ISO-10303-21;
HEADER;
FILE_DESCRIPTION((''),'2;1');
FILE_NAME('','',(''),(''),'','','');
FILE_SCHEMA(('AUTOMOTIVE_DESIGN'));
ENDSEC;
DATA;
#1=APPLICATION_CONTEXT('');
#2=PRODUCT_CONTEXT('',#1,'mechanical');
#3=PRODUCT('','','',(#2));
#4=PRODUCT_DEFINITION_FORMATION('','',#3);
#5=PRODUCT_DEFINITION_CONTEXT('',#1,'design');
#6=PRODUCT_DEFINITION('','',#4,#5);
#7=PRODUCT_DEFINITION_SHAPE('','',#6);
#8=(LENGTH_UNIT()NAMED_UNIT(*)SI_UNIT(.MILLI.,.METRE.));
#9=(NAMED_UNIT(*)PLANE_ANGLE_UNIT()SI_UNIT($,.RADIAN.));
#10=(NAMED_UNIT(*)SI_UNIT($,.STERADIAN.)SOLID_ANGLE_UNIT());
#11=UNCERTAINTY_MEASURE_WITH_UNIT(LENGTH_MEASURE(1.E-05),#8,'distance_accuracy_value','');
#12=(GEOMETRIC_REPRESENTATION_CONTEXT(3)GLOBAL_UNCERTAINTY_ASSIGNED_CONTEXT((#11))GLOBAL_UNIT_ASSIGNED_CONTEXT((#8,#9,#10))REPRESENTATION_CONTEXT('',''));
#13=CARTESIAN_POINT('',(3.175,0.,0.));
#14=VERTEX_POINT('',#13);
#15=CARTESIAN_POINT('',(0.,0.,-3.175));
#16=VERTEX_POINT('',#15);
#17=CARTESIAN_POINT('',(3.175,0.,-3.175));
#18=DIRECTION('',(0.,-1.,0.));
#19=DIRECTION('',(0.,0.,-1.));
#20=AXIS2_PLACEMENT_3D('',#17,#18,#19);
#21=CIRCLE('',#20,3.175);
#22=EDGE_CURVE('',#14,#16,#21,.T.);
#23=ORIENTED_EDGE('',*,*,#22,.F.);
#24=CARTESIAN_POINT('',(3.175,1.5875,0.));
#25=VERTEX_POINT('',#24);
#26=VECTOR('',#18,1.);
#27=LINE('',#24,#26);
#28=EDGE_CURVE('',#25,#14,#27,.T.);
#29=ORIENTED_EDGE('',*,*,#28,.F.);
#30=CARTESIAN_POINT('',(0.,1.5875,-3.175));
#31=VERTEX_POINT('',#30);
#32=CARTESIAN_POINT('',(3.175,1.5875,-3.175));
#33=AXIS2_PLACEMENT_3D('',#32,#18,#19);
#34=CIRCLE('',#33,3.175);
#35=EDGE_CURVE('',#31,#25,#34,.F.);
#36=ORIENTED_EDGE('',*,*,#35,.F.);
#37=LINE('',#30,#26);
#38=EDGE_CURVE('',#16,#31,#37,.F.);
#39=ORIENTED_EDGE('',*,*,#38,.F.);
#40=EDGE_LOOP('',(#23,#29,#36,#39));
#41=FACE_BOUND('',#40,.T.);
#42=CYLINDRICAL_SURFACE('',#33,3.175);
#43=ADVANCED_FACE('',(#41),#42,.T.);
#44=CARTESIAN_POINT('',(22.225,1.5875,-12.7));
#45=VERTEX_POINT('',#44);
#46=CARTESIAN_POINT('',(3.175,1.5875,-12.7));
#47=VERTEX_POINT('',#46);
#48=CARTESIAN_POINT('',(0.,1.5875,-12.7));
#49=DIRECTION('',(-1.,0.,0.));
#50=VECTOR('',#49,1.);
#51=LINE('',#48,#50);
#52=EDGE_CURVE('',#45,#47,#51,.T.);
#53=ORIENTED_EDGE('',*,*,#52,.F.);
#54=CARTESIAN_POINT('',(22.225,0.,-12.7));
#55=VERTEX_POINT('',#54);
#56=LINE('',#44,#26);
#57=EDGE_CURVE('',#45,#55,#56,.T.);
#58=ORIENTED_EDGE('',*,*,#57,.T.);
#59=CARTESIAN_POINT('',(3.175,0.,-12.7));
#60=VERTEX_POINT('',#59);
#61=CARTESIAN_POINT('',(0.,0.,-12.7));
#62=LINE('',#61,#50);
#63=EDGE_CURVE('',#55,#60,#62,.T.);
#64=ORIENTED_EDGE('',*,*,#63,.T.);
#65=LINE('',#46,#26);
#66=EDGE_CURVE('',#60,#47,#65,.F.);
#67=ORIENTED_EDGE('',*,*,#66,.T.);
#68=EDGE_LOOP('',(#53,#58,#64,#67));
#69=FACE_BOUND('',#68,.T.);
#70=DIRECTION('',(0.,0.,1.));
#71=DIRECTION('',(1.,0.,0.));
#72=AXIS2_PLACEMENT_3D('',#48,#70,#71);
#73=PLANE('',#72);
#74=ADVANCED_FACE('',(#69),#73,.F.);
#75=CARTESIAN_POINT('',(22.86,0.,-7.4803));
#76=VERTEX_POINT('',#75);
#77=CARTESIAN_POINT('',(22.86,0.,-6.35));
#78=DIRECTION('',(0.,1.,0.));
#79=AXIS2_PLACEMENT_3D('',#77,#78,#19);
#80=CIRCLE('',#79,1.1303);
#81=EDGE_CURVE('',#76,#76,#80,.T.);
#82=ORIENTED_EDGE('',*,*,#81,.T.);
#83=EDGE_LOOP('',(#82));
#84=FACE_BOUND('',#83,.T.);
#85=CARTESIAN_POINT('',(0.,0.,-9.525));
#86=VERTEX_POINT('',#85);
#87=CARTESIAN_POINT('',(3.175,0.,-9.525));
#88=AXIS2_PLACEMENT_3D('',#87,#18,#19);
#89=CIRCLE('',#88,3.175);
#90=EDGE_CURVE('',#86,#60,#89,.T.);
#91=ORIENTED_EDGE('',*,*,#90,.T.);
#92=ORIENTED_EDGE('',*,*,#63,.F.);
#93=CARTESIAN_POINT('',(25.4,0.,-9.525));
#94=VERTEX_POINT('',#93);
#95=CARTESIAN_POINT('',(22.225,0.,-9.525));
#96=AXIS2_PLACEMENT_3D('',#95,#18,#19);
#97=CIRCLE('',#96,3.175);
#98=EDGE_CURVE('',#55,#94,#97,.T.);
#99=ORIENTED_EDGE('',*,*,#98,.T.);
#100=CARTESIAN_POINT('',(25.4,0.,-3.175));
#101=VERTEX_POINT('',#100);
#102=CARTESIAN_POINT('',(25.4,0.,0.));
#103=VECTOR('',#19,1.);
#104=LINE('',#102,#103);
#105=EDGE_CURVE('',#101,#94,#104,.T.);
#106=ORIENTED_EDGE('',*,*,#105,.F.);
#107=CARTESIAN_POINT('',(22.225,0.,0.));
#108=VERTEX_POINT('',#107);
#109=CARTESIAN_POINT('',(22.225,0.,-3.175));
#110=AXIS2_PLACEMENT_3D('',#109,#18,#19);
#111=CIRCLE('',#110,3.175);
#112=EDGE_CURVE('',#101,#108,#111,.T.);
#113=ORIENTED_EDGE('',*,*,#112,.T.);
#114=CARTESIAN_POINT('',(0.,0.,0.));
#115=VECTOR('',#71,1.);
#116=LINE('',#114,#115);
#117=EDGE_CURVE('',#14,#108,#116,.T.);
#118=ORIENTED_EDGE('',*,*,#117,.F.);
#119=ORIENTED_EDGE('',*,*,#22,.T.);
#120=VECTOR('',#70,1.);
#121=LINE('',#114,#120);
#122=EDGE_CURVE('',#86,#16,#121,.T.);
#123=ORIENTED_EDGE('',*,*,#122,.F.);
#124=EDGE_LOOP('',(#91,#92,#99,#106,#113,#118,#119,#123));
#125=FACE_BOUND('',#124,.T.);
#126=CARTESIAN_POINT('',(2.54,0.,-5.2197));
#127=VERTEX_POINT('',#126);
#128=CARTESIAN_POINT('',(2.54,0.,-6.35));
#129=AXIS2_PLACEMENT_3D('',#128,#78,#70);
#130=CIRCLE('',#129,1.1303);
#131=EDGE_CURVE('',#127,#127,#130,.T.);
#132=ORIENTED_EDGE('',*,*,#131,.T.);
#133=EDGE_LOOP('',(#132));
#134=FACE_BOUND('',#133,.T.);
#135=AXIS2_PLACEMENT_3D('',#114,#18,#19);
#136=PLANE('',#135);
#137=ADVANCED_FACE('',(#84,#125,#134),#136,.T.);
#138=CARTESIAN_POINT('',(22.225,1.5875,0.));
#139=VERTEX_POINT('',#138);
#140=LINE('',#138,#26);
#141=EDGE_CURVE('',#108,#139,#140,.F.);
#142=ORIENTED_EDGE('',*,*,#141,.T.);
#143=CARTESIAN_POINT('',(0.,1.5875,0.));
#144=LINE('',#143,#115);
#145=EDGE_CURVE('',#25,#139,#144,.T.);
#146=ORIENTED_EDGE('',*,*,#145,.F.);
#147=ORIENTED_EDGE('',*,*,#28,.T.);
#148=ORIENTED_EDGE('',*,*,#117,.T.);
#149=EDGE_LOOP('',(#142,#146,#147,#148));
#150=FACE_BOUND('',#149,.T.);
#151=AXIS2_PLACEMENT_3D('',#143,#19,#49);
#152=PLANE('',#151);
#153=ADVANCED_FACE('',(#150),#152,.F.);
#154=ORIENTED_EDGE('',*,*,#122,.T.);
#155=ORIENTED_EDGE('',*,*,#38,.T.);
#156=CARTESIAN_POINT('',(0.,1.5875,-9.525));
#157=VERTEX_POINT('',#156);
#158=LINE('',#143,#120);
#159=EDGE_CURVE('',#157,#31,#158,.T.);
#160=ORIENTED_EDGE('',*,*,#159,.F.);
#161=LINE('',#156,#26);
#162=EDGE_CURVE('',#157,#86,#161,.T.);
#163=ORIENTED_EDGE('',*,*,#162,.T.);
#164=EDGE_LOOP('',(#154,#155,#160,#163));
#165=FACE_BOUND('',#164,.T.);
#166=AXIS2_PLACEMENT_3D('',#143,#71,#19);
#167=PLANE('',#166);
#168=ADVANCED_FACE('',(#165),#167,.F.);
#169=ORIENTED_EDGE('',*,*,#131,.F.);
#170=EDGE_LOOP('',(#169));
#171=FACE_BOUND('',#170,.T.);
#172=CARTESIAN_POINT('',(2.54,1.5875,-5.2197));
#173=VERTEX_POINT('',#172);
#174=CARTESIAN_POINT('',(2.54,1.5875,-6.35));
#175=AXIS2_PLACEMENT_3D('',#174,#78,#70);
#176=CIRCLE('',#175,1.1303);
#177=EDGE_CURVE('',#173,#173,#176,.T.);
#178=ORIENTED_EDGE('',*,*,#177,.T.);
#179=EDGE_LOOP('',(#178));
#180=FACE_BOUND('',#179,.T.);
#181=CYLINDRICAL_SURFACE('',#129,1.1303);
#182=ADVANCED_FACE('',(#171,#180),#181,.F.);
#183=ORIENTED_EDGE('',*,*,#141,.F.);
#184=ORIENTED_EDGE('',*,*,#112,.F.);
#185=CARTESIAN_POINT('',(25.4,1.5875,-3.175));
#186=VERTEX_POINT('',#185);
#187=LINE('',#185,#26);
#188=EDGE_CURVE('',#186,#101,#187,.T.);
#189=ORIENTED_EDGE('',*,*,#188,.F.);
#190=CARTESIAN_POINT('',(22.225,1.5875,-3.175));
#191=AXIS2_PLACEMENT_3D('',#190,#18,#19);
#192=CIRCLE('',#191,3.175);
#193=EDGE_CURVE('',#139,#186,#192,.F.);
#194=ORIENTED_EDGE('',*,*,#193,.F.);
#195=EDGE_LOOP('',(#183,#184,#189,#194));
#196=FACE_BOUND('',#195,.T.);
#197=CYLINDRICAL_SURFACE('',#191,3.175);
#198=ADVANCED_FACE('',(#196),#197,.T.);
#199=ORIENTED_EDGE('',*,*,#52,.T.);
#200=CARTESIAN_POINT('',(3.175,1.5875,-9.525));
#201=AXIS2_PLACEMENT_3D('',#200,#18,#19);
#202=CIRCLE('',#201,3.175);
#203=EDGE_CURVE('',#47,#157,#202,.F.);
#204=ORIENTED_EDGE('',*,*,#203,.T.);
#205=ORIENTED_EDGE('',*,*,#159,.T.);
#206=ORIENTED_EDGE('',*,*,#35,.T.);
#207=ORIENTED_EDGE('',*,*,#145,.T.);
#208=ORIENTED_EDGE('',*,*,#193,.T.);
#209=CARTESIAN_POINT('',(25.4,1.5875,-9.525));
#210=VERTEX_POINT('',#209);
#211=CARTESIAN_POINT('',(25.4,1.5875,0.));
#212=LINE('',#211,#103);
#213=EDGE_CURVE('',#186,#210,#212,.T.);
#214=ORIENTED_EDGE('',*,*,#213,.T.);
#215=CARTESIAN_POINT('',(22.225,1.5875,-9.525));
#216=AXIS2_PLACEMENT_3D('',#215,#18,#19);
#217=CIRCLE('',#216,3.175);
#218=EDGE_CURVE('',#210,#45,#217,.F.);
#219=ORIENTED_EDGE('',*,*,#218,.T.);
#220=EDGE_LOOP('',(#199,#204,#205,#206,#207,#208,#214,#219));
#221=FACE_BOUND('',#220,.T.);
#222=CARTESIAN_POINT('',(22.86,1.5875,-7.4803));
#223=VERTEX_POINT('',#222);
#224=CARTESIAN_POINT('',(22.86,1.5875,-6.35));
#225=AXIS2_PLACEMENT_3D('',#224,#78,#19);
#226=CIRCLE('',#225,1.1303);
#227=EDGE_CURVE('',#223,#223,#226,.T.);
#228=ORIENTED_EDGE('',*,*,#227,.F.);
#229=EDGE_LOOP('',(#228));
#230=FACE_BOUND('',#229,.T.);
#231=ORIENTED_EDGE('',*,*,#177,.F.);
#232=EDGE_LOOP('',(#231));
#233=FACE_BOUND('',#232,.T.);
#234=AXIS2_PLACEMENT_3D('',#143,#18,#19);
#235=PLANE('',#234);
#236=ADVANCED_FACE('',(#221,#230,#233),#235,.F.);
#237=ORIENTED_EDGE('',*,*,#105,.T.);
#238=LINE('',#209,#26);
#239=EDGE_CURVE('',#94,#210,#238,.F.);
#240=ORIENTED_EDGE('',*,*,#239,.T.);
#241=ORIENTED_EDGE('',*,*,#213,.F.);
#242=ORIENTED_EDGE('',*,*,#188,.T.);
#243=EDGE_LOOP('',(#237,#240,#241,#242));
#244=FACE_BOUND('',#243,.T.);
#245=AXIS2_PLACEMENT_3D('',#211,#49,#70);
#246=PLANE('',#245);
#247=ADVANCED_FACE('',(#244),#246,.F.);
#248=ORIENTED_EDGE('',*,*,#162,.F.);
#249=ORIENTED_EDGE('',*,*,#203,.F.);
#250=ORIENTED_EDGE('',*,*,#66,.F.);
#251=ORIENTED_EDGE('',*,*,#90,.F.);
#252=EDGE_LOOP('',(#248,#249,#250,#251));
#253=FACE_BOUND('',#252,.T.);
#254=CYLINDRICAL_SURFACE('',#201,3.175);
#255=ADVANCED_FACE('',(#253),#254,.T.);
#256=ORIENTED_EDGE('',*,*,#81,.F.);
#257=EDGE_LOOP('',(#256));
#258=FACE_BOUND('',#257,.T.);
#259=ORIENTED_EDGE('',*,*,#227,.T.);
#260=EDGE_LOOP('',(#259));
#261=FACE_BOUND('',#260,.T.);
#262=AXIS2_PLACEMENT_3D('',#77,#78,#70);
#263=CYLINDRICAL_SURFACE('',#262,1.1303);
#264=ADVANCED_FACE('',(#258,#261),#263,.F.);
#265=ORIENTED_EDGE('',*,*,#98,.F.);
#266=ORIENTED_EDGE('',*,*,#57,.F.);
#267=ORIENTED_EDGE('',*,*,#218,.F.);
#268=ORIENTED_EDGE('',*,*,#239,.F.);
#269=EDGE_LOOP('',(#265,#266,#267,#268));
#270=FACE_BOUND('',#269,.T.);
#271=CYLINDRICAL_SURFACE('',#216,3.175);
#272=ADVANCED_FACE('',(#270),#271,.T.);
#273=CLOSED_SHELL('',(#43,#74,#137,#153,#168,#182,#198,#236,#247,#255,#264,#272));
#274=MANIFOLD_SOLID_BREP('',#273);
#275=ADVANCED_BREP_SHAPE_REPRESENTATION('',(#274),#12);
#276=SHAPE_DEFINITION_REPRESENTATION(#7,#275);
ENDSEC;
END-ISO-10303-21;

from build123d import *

# Parameters (mm, degrees)
SKETCH1_W           = 25.4
SKETCH1_H           = 12.7
BOSS_EXTRUDE1_DEPTH = 1.5875
FILLET1_R           = 3.175
SKETCH2_R           = 1.1303
CUT_EXTRUDE1_DEPTH  = 29.442400677


with BuildPart() as part:
    # Sketch1 → Boss-Extrude1 (new body)
    with BuildSketch(Plane(origin=(0, 0, 0), x_dir=(1, 0, 0), z_dir=(0, 1, 0))):
        with Locations((12.7, 6.35)):
            Rectangle(SKETCH1_W, SKETCH1_H)
    extrude(amount=BOSS_EXTRUDE1_DEPTH)

    # Fillet1
    fillet1_edges = [part.edges().sort_by_distance(p)[0] for p in [
        (0, 0.79375, -12.7),
        (25.4, 0.79375, -12.7),
        (25.4, 0.79375, 0),
        (0, 0.79375, 0),
    ]]
    fillet(fillet1_edges, radius=FILLET1_R)

    # Sketch2 → Cut-Extrude1 (cut, through all)
    with BuildSketch(Plane(origin=(0, 1.5875, 0), x_dir=(1, 0, 0), z_dir=(0, 1, 0))):
        with Locations(Location((2.54, 6.35, 0), (0, 0, 270))):
            Circle(SKETCH2_R)
        with Locations(Location((22.86, 6.35, 0), (0, 0, 90))):
            Circle(SKETCH2_R)
    extrude(amount=-CUT_EXTRUDE1_DEPTH, mode=Mode.SUBTRACT)


solid = part.part
